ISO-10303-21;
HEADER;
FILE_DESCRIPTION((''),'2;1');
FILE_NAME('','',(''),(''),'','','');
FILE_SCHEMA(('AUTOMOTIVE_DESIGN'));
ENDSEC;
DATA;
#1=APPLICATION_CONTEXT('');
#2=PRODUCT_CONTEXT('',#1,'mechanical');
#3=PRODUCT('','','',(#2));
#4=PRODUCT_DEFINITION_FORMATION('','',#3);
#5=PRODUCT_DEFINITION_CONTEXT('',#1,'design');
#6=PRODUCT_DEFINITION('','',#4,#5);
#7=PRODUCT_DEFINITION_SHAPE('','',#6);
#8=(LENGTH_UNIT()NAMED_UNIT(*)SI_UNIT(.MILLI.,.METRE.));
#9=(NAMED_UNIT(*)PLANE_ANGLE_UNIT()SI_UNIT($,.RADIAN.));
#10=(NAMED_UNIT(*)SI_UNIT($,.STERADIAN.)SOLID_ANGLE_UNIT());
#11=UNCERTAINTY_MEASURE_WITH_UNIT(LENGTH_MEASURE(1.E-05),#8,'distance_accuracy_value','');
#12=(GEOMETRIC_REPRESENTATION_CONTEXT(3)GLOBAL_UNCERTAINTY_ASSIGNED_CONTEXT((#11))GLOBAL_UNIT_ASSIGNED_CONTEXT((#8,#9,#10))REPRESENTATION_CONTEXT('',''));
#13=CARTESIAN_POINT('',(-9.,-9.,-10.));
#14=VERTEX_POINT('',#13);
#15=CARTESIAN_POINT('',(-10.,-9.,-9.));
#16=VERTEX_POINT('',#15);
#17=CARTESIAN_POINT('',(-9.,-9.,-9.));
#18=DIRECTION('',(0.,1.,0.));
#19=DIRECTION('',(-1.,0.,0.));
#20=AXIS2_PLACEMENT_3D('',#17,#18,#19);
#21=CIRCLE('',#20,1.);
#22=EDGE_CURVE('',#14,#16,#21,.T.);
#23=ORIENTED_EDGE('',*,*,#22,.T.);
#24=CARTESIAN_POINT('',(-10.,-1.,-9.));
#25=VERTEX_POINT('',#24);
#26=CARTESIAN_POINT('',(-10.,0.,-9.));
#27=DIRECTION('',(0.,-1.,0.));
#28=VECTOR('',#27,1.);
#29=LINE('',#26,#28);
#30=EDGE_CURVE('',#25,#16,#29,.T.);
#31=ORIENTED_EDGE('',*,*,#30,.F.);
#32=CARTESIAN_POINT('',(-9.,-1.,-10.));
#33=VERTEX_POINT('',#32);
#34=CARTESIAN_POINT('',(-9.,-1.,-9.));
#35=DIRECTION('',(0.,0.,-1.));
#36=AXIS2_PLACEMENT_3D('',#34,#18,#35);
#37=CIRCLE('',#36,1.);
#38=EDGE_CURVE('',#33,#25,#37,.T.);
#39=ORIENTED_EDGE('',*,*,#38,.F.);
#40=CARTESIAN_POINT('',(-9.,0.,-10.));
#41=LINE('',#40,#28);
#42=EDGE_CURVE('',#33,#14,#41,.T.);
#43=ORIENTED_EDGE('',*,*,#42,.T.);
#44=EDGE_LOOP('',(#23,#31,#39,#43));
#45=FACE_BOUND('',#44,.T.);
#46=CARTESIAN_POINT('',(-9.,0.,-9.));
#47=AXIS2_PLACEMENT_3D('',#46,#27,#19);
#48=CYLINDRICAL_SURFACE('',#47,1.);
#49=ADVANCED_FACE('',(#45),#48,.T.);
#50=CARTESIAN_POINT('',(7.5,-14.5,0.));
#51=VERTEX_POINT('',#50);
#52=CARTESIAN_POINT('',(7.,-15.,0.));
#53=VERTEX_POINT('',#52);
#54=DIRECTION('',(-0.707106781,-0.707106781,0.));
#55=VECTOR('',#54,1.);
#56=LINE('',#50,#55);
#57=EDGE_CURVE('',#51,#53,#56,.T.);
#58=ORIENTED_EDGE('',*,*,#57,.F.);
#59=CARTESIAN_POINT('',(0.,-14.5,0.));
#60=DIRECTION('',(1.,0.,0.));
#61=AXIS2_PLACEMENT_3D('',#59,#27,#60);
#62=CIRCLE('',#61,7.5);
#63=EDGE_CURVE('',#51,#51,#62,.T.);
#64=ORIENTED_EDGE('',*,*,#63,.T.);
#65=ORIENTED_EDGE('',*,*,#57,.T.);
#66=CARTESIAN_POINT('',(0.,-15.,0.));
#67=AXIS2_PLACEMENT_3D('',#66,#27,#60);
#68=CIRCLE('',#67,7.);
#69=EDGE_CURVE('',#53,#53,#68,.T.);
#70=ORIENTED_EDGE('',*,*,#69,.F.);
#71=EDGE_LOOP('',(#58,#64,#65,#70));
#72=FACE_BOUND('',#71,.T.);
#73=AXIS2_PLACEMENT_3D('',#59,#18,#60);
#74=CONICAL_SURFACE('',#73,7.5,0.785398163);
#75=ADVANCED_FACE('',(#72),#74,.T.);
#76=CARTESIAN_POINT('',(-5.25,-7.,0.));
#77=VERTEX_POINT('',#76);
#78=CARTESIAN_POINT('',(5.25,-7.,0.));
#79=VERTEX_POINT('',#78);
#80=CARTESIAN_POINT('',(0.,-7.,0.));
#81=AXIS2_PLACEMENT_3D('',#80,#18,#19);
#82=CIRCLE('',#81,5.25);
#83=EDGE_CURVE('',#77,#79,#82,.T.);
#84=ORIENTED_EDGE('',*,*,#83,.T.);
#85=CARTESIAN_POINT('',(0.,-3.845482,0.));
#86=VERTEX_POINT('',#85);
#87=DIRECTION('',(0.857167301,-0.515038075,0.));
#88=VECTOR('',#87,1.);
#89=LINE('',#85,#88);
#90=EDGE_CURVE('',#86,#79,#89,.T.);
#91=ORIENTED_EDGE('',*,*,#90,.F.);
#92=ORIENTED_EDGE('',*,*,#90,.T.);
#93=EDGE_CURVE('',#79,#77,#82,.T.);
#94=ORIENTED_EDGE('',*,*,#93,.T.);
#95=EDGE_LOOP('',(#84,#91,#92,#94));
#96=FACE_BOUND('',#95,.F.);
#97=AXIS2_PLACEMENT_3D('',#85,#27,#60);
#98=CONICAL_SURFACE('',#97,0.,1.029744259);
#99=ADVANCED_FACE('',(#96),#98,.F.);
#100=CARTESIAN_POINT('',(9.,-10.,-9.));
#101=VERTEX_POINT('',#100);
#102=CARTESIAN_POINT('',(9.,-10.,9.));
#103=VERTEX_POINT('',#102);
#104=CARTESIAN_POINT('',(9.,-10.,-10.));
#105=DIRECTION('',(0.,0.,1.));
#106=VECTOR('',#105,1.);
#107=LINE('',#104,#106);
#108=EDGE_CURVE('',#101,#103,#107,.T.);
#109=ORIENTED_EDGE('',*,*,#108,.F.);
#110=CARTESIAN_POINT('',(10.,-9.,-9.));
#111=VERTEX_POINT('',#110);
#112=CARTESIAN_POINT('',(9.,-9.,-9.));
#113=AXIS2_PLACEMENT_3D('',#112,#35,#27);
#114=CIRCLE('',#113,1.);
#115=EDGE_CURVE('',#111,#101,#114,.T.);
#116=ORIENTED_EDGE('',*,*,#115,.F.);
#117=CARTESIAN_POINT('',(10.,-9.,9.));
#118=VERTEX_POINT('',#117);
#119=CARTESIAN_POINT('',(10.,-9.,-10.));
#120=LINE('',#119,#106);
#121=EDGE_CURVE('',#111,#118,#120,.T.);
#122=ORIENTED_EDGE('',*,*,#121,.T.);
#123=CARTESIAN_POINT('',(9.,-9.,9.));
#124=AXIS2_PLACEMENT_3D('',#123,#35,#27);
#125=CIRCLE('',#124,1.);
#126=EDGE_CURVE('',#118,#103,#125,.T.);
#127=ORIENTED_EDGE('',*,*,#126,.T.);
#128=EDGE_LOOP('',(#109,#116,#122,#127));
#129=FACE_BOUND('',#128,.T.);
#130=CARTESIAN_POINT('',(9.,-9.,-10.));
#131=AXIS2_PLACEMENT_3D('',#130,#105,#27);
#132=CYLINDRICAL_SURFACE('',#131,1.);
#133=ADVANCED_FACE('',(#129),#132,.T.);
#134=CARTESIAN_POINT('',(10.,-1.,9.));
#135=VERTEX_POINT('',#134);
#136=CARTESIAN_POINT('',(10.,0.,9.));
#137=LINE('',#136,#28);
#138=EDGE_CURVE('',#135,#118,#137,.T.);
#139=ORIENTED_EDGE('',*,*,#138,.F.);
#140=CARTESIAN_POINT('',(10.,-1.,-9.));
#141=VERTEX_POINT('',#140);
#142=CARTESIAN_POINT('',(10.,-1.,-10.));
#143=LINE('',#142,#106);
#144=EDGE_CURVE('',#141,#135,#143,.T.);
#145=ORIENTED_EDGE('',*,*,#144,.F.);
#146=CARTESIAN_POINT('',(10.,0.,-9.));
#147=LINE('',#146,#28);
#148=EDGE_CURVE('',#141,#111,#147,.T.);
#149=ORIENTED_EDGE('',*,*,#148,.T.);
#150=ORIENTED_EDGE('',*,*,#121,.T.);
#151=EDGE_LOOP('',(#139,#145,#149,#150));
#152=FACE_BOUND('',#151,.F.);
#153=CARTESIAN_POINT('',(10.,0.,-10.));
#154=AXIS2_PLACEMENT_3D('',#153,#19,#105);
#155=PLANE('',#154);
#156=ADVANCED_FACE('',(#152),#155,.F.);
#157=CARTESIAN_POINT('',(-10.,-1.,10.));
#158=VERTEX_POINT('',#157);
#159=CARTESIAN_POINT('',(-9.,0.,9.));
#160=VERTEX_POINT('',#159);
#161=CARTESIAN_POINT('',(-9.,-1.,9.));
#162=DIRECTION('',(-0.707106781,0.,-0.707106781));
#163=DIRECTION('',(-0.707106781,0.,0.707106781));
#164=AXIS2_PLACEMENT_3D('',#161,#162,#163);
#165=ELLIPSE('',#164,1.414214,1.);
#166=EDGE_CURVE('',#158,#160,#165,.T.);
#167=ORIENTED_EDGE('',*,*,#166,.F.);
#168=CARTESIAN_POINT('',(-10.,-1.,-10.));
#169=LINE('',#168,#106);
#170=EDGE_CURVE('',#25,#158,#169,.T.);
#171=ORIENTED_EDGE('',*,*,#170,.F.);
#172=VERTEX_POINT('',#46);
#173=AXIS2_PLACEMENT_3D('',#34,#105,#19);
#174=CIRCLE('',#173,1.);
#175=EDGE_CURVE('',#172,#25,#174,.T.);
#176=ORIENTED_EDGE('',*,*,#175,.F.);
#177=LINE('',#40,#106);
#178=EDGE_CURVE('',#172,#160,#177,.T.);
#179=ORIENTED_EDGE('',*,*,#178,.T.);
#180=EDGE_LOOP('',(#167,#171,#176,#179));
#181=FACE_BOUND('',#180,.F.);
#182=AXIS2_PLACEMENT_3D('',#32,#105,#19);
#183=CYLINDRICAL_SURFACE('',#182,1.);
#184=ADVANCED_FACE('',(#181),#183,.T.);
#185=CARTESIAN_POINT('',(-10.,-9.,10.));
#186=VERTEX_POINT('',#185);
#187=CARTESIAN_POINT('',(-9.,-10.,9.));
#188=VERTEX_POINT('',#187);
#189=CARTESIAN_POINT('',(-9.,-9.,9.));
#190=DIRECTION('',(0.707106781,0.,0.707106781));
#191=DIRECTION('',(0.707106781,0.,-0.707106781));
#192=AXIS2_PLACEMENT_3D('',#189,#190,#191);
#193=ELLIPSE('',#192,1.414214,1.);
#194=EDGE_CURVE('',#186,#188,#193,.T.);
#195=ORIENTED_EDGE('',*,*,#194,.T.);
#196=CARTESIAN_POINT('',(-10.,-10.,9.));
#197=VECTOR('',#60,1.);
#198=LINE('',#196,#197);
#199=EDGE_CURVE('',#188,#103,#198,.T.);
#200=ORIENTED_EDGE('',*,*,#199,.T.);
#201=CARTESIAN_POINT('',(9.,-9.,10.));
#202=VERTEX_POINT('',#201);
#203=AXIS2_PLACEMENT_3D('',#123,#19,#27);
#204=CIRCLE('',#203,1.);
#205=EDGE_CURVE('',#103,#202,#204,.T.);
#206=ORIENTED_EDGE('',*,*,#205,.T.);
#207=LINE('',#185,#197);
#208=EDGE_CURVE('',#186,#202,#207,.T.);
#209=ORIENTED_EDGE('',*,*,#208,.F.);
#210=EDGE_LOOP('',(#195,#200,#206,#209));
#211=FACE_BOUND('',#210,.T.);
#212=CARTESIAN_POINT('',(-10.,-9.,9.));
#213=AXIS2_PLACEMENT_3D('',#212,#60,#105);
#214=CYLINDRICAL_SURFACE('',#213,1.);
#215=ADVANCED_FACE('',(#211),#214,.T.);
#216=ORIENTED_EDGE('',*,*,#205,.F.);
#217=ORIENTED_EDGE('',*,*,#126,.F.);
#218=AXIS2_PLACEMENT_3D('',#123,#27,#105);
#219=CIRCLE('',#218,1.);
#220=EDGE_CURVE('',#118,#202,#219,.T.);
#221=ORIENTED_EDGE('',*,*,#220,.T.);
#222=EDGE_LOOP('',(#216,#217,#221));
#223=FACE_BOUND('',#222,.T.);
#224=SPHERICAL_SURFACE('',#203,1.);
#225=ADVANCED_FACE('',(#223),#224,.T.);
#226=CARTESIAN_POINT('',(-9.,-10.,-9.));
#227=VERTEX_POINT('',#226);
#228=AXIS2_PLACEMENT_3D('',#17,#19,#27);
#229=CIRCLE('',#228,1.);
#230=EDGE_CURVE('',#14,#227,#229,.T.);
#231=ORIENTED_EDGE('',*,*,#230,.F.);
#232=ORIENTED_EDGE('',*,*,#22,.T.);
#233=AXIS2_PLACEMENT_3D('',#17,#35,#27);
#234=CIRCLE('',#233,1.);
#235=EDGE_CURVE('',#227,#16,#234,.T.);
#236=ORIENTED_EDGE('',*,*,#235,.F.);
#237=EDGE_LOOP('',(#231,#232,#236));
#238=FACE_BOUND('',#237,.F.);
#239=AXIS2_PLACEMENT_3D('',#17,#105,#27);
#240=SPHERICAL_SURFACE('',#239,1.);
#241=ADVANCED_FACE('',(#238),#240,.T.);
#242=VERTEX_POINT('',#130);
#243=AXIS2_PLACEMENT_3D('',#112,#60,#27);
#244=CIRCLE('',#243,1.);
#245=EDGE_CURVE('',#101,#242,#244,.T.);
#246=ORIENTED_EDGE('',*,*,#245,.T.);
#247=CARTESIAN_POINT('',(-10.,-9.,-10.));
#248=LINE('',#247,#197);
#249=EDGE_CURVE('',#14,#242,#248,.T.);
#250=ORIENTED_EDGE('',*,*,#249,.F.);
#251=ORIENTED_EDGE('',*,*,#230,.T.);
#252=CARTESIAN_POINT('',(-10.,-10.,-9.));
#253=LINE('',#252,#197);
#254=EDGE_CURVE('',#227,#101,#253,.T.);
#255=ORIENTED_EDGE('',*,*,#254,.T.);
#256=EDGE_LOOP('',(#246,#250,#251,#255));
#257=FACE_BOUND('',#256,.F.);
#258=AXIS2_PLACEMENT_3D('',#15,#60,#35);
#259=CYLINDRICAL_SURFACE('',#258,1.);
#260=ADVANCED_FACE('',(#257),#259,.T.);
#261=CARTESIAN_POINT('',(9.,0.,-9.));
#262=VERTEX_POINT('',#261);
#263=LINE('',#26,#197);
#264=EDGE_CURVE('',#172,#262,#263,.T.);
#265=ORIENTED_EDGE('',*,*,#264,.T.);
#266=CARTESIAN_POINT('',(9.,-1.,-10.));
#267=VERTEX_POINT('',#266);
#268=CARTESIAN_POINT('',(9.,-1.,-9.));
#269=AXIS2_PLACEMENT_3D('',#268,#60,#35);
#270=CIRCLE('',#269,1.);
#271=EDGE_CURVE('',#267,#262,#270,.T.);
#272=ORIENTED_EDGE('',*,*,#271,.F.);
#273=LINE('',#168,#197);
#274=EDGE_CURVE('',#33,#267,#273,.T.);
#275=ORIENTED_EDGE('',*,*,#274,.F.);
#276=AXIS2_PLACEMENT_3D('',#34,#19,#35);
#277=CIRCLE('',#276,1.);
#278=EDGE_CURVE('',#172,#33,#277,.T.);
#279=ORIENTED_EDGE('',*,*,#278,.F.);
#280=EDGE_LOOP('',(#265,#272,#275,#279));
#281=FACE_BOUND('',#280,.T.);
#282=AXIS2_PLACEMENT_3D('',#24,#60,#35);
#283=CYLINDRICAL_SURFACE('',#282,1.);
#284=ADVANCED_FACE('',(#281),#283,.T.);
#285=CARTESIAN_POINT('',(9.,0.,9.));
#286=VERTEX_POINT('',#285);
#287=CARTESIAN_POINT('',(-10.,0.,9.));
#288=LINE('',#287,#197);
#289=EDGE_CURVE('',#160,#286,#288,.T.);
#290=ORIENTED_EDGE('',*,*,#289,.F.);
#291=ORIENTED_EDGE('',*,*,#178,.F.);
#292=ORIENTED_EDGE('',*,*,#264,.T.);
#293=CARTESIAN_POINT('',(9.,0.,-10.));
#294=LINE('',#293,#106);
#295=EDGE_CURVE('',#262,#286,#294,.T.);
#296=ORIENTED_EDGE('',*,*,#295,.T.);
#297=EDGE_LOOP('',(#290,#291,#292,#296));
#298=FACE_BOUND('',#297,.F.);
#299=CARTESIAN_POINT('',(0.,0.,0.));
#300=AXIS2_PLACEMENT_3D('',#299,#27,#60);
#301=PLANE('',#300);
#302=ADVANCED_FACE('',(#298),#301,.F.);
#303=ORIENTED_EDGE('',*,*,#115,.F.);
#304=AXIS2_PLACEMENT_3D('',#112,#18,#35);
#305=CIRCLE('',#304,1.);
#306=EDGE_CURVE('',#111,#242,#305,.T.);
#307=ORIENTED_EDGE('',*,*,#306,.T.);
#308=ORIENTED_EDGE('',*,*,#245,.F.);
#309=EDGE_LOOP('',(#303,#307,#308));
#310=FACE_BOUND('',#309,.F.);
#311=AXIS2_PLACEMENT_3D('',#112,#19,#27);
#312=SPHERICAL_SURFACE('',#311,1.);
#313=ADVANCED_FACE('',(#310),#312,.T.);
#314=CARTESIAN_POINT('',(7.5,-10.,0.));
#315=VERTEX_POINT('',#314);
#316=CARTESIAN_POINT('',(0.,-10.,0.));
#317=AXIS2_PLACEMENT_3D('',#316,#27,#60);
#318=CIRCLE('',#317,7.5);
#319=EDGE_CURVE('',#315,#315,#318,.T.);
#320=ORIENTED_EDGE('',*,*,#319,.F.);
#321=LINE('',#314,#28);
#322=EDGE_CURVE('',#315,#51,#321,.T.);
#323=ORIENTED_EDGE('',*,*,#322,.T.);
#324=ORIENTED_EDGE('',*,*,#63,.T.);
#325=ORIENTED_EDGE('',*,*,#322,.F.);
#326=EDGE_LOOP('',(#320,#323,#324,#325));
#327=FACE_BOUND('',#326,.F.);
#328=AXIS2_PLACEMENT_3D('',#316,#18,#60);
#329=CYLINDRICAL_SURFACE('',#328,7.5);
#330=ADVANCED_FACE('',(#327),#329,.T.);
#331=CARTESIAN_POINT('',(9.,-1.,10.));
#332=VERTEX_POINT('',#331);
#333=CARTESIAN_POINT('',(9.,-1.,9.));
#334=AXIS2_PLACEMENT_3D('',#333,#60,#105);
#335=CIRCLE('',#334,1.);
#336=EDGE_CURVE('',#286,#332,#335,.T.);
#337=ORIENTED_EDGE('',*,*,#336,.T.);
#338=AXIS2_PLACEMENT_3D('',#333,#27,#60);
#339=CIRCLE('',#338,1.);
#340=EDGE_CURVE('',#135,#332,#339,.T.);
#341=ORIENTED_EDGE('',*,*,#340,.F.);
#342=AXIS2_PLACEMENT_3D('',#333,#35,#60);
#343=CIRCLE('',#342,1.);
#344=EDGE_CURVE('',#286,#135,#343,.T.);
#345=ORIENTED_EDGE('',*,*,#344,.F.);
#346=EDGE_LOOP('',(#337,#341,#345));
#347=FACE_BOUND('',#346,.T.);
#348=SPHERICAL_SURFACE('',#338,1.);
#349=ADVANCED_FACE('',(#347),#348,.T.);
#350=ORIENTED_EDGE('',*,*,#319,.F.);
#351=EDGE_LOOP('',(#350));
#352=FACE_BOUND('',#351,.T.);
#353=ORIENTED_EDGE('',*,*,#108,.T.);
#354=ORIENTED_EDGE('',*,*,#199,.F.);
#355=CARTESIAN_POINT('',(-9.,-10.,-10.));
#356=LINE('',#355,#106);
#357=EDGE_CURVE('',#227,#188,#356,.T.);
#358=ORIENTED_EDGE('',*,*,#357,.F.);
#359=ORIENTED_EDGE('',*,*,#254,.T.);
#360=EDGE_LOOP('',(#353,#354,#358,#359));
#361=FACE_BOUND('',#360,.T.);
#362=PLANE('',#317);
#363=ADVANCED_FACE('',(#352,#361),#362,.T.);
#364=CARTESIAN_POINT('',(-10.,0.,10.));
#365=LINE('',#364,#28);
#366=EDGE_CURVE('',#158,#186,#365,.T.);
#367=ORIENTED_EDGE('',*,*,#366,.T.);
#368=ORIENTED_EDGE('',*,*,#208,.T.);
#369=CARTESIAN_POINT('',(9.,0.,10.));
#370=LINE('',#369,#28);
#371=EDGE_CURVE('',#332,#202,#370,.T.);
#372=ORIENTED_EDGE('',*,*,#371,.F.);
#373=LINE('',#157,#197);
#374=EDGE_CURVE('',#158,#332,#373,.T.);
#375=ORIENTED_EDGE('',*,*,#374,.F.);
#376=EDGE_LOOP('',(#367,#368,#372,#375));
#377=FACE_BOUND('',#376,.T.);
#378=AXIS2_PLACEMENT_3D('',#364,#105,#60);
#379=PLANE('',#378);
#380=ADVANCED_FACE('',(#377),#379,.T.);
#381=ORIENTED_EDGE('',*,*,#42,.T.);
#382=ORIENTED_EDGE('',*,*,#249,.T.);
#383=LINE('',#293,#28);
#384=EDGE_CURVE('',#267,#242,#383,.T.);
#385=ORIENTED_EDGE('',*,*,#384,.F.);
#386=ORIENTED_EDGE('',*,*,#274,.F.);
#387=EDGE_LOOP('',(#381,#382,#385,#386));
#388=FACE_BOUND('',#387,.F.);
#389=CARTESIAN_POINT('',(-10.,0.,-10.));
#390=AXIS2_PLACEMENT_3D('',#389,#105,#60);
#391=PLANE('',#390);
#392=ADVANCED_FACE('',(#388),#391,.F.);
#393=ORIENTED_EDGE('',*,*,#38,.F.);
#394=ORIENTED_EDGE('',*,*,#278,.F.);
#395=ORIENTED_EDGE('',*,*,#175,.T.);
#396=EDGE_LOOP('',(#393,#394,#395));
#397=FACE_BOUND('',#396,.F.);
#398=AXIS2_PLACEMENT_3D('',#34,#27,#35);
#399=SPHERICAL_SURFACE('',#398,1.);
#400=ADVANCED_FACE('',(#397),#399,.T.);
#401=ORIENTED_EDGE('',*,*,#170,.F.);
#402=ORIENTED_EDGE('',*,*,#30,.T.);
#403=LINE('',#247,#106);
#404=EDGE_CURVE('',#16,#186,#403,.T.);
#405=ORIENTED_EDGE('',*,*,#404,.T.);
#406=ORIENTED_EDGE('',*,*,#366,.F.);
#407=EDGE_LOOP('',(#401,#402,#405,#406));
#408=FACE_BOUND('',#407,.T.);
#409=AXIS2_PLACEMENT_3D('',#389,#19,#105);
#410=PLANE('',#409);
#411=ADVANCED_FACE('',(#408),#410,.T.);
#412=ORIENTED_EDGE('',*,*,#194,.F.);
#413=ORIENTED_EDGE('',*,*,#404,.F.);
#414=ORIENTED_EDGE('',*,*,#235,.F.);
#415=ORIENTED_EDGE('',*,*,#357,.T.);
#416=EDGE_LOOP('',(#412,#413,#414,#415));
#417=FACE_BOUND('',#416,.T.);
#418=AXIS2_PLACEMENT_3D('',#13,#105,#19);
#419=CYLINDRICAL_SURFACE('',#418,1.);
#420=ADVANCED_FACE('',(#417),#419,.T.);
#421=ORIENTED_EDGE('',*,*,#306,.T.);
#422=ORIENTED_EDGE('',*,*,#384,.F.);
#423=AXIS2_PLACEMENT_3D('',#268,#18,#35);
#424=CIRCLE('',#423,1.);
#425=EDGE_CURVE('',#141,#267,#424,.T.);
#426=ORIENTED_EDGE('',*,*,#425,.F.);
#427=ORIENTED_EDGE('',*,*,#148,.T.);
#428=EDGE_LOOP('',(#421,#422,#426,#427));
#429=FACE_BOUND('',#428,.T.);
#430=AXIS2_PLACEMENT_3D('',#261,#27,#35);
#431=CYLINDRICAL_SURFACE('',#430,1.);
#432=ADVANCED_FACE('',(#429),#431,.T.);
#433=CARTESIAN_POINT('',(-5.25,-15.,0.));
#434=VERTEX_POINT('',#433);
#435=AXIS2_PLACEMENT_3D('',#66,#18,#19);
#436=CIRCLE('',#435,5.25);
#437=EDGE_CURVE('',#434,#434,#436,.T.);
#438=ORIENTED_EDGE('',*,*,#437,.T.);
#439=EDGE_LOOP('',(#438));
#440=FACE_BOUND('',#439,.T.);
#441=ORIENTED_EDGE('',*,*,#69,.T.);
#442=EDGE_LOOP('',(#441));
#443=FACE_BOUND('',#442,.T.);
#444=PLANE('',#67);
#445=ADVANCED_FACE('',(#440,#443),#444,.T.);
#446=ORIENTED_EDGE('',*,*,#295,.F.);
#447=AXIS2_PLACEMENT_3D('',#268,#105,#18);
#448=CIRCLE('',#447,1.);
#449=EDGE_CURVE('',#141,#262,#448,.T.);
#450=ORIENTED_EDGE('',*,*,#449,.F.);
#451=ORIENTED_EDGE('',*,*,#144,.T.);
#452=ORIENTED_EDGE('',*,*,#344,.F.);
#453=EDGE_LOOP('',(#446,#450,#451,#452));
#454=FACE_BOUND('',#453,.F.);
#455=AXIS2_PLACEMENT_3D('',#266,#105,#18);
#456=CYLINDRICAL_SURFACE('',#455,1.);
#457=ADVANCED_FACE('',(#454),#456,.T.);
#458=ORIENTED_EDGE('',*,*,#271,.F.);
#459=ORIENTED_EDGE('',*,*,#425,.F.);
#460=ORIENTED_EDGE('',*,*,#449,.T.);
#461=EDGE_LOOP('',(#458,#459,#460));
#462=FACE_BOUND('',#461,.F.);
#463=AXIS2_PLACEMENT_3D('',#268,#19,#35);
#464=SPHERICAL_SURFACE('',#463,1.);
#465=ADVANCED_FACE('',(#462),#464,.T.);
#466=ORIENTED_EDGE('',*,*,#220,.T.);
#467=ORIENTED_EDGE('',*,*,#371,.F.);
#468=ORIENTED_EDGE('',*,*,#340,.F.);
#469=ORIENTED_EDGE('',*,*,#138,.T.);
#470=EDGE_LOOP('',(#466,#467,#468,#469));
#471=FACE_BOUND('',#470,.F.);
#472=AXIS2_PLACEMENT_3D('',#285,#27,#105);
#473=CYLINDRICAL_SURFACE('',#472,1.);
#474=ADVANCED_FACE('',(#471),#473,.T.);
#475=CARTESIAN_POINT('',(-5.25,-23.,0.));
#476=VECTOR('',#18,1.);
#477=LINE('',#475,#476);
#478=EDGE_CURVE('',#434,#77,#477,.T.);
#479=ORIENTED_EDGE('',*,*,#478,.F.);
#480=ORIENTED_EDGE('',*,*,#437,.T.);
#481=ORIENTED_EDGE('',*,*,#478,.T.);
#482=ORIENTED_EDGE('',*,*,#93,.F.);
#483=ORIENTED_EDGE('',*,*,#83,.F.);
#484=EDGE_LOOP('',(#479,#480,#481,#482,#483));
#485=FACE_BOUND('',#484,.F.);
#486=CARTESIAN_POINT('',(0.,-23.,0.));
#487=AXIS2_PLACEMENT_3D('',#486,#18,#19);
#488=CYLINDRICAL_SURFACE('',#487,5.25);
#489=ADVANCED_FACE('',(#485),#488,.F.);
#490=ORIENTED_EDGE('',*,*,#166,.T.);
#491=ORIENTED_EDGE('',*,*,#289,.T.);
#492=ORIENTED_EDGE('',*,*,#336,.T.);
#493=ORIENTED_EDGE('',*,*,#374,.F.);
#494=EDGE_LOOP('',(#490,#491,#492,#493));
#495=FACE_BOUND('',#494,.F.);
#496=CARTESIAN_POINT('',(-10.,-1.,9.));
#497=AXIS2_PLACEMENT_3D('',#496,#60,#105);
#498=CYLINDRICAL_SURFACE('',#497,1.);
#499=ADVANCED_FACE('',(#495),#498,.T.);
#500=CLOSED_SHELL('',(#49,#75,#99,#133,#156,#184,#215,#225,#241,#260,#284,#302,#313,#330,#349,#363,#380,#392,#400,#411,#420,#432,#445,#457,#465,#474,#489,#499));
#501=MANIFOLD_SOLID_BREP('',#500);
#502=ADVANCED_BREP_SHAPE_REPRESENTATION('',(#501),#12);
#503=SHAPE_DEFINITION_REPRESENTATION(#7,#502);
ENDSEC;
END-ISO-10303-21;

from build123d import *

# Parameters (mm, degrees)
F0_W     = 20
F0_H     = 20
F1_DEPTH = 10
F2_R     = 7.5
F3_DEPTH = 5
F5_D     = 10.5
F5_DEPTH = 8
F5_TIP   = 3.1545182499
F6_R     = 1
F7_SIZE  = 0.5


with BuildPart() as f1:
    # F0 (on Front) → F1 (new body)
    with BuildSketch(Plane.XZ):
        Rectangle(F0_W, F0_H)
    extrude(amount=F1_DEPTH)

    # F2 (on face) → F3 (join)
    with BuildSketch(Plane.XZ.offset(10)):
        Circle(F2_R)
    extrude(amount=F3_DEPTH)

    # F5
    with Locations(Plane.XZ.offset(15)):
        with Locations((0, 0)):
            Hole(F5_D / 2, depth=F5_DEPTH)
            with Locations((0, 0, -(F5_DEPTH + F5_TIP / 2))):  # 118° drill point
                Cone(0, F5_D / 2, F5_TIP, mode=Mode.SUBTRACT)

    # F6
    f6_edges = [f1.edges().sort_by_distance(p)[0] for p in [
        (0, -10, 10),
        (-10, -10, 0),
        (0, -10, -10),
        (10, -10, 0),
        (-10, -5, -10),
        (0, 0, -10),
        (10, -5, -10),
        (10, -5, 10),
        (10, 0, 0),
        (-10, 0, 0),
        (0, 0, 10),
    ]]
    fillet(f6_edges, radius=F6_R)

    # F7
    f7_edges = [f1.edges().sort_by_distance(p)[0] for p in [
        (-7.5, -15, 0),
    ]]
    chamfer(f7_edges, length=F7_SIZE)


solid = f1.part
